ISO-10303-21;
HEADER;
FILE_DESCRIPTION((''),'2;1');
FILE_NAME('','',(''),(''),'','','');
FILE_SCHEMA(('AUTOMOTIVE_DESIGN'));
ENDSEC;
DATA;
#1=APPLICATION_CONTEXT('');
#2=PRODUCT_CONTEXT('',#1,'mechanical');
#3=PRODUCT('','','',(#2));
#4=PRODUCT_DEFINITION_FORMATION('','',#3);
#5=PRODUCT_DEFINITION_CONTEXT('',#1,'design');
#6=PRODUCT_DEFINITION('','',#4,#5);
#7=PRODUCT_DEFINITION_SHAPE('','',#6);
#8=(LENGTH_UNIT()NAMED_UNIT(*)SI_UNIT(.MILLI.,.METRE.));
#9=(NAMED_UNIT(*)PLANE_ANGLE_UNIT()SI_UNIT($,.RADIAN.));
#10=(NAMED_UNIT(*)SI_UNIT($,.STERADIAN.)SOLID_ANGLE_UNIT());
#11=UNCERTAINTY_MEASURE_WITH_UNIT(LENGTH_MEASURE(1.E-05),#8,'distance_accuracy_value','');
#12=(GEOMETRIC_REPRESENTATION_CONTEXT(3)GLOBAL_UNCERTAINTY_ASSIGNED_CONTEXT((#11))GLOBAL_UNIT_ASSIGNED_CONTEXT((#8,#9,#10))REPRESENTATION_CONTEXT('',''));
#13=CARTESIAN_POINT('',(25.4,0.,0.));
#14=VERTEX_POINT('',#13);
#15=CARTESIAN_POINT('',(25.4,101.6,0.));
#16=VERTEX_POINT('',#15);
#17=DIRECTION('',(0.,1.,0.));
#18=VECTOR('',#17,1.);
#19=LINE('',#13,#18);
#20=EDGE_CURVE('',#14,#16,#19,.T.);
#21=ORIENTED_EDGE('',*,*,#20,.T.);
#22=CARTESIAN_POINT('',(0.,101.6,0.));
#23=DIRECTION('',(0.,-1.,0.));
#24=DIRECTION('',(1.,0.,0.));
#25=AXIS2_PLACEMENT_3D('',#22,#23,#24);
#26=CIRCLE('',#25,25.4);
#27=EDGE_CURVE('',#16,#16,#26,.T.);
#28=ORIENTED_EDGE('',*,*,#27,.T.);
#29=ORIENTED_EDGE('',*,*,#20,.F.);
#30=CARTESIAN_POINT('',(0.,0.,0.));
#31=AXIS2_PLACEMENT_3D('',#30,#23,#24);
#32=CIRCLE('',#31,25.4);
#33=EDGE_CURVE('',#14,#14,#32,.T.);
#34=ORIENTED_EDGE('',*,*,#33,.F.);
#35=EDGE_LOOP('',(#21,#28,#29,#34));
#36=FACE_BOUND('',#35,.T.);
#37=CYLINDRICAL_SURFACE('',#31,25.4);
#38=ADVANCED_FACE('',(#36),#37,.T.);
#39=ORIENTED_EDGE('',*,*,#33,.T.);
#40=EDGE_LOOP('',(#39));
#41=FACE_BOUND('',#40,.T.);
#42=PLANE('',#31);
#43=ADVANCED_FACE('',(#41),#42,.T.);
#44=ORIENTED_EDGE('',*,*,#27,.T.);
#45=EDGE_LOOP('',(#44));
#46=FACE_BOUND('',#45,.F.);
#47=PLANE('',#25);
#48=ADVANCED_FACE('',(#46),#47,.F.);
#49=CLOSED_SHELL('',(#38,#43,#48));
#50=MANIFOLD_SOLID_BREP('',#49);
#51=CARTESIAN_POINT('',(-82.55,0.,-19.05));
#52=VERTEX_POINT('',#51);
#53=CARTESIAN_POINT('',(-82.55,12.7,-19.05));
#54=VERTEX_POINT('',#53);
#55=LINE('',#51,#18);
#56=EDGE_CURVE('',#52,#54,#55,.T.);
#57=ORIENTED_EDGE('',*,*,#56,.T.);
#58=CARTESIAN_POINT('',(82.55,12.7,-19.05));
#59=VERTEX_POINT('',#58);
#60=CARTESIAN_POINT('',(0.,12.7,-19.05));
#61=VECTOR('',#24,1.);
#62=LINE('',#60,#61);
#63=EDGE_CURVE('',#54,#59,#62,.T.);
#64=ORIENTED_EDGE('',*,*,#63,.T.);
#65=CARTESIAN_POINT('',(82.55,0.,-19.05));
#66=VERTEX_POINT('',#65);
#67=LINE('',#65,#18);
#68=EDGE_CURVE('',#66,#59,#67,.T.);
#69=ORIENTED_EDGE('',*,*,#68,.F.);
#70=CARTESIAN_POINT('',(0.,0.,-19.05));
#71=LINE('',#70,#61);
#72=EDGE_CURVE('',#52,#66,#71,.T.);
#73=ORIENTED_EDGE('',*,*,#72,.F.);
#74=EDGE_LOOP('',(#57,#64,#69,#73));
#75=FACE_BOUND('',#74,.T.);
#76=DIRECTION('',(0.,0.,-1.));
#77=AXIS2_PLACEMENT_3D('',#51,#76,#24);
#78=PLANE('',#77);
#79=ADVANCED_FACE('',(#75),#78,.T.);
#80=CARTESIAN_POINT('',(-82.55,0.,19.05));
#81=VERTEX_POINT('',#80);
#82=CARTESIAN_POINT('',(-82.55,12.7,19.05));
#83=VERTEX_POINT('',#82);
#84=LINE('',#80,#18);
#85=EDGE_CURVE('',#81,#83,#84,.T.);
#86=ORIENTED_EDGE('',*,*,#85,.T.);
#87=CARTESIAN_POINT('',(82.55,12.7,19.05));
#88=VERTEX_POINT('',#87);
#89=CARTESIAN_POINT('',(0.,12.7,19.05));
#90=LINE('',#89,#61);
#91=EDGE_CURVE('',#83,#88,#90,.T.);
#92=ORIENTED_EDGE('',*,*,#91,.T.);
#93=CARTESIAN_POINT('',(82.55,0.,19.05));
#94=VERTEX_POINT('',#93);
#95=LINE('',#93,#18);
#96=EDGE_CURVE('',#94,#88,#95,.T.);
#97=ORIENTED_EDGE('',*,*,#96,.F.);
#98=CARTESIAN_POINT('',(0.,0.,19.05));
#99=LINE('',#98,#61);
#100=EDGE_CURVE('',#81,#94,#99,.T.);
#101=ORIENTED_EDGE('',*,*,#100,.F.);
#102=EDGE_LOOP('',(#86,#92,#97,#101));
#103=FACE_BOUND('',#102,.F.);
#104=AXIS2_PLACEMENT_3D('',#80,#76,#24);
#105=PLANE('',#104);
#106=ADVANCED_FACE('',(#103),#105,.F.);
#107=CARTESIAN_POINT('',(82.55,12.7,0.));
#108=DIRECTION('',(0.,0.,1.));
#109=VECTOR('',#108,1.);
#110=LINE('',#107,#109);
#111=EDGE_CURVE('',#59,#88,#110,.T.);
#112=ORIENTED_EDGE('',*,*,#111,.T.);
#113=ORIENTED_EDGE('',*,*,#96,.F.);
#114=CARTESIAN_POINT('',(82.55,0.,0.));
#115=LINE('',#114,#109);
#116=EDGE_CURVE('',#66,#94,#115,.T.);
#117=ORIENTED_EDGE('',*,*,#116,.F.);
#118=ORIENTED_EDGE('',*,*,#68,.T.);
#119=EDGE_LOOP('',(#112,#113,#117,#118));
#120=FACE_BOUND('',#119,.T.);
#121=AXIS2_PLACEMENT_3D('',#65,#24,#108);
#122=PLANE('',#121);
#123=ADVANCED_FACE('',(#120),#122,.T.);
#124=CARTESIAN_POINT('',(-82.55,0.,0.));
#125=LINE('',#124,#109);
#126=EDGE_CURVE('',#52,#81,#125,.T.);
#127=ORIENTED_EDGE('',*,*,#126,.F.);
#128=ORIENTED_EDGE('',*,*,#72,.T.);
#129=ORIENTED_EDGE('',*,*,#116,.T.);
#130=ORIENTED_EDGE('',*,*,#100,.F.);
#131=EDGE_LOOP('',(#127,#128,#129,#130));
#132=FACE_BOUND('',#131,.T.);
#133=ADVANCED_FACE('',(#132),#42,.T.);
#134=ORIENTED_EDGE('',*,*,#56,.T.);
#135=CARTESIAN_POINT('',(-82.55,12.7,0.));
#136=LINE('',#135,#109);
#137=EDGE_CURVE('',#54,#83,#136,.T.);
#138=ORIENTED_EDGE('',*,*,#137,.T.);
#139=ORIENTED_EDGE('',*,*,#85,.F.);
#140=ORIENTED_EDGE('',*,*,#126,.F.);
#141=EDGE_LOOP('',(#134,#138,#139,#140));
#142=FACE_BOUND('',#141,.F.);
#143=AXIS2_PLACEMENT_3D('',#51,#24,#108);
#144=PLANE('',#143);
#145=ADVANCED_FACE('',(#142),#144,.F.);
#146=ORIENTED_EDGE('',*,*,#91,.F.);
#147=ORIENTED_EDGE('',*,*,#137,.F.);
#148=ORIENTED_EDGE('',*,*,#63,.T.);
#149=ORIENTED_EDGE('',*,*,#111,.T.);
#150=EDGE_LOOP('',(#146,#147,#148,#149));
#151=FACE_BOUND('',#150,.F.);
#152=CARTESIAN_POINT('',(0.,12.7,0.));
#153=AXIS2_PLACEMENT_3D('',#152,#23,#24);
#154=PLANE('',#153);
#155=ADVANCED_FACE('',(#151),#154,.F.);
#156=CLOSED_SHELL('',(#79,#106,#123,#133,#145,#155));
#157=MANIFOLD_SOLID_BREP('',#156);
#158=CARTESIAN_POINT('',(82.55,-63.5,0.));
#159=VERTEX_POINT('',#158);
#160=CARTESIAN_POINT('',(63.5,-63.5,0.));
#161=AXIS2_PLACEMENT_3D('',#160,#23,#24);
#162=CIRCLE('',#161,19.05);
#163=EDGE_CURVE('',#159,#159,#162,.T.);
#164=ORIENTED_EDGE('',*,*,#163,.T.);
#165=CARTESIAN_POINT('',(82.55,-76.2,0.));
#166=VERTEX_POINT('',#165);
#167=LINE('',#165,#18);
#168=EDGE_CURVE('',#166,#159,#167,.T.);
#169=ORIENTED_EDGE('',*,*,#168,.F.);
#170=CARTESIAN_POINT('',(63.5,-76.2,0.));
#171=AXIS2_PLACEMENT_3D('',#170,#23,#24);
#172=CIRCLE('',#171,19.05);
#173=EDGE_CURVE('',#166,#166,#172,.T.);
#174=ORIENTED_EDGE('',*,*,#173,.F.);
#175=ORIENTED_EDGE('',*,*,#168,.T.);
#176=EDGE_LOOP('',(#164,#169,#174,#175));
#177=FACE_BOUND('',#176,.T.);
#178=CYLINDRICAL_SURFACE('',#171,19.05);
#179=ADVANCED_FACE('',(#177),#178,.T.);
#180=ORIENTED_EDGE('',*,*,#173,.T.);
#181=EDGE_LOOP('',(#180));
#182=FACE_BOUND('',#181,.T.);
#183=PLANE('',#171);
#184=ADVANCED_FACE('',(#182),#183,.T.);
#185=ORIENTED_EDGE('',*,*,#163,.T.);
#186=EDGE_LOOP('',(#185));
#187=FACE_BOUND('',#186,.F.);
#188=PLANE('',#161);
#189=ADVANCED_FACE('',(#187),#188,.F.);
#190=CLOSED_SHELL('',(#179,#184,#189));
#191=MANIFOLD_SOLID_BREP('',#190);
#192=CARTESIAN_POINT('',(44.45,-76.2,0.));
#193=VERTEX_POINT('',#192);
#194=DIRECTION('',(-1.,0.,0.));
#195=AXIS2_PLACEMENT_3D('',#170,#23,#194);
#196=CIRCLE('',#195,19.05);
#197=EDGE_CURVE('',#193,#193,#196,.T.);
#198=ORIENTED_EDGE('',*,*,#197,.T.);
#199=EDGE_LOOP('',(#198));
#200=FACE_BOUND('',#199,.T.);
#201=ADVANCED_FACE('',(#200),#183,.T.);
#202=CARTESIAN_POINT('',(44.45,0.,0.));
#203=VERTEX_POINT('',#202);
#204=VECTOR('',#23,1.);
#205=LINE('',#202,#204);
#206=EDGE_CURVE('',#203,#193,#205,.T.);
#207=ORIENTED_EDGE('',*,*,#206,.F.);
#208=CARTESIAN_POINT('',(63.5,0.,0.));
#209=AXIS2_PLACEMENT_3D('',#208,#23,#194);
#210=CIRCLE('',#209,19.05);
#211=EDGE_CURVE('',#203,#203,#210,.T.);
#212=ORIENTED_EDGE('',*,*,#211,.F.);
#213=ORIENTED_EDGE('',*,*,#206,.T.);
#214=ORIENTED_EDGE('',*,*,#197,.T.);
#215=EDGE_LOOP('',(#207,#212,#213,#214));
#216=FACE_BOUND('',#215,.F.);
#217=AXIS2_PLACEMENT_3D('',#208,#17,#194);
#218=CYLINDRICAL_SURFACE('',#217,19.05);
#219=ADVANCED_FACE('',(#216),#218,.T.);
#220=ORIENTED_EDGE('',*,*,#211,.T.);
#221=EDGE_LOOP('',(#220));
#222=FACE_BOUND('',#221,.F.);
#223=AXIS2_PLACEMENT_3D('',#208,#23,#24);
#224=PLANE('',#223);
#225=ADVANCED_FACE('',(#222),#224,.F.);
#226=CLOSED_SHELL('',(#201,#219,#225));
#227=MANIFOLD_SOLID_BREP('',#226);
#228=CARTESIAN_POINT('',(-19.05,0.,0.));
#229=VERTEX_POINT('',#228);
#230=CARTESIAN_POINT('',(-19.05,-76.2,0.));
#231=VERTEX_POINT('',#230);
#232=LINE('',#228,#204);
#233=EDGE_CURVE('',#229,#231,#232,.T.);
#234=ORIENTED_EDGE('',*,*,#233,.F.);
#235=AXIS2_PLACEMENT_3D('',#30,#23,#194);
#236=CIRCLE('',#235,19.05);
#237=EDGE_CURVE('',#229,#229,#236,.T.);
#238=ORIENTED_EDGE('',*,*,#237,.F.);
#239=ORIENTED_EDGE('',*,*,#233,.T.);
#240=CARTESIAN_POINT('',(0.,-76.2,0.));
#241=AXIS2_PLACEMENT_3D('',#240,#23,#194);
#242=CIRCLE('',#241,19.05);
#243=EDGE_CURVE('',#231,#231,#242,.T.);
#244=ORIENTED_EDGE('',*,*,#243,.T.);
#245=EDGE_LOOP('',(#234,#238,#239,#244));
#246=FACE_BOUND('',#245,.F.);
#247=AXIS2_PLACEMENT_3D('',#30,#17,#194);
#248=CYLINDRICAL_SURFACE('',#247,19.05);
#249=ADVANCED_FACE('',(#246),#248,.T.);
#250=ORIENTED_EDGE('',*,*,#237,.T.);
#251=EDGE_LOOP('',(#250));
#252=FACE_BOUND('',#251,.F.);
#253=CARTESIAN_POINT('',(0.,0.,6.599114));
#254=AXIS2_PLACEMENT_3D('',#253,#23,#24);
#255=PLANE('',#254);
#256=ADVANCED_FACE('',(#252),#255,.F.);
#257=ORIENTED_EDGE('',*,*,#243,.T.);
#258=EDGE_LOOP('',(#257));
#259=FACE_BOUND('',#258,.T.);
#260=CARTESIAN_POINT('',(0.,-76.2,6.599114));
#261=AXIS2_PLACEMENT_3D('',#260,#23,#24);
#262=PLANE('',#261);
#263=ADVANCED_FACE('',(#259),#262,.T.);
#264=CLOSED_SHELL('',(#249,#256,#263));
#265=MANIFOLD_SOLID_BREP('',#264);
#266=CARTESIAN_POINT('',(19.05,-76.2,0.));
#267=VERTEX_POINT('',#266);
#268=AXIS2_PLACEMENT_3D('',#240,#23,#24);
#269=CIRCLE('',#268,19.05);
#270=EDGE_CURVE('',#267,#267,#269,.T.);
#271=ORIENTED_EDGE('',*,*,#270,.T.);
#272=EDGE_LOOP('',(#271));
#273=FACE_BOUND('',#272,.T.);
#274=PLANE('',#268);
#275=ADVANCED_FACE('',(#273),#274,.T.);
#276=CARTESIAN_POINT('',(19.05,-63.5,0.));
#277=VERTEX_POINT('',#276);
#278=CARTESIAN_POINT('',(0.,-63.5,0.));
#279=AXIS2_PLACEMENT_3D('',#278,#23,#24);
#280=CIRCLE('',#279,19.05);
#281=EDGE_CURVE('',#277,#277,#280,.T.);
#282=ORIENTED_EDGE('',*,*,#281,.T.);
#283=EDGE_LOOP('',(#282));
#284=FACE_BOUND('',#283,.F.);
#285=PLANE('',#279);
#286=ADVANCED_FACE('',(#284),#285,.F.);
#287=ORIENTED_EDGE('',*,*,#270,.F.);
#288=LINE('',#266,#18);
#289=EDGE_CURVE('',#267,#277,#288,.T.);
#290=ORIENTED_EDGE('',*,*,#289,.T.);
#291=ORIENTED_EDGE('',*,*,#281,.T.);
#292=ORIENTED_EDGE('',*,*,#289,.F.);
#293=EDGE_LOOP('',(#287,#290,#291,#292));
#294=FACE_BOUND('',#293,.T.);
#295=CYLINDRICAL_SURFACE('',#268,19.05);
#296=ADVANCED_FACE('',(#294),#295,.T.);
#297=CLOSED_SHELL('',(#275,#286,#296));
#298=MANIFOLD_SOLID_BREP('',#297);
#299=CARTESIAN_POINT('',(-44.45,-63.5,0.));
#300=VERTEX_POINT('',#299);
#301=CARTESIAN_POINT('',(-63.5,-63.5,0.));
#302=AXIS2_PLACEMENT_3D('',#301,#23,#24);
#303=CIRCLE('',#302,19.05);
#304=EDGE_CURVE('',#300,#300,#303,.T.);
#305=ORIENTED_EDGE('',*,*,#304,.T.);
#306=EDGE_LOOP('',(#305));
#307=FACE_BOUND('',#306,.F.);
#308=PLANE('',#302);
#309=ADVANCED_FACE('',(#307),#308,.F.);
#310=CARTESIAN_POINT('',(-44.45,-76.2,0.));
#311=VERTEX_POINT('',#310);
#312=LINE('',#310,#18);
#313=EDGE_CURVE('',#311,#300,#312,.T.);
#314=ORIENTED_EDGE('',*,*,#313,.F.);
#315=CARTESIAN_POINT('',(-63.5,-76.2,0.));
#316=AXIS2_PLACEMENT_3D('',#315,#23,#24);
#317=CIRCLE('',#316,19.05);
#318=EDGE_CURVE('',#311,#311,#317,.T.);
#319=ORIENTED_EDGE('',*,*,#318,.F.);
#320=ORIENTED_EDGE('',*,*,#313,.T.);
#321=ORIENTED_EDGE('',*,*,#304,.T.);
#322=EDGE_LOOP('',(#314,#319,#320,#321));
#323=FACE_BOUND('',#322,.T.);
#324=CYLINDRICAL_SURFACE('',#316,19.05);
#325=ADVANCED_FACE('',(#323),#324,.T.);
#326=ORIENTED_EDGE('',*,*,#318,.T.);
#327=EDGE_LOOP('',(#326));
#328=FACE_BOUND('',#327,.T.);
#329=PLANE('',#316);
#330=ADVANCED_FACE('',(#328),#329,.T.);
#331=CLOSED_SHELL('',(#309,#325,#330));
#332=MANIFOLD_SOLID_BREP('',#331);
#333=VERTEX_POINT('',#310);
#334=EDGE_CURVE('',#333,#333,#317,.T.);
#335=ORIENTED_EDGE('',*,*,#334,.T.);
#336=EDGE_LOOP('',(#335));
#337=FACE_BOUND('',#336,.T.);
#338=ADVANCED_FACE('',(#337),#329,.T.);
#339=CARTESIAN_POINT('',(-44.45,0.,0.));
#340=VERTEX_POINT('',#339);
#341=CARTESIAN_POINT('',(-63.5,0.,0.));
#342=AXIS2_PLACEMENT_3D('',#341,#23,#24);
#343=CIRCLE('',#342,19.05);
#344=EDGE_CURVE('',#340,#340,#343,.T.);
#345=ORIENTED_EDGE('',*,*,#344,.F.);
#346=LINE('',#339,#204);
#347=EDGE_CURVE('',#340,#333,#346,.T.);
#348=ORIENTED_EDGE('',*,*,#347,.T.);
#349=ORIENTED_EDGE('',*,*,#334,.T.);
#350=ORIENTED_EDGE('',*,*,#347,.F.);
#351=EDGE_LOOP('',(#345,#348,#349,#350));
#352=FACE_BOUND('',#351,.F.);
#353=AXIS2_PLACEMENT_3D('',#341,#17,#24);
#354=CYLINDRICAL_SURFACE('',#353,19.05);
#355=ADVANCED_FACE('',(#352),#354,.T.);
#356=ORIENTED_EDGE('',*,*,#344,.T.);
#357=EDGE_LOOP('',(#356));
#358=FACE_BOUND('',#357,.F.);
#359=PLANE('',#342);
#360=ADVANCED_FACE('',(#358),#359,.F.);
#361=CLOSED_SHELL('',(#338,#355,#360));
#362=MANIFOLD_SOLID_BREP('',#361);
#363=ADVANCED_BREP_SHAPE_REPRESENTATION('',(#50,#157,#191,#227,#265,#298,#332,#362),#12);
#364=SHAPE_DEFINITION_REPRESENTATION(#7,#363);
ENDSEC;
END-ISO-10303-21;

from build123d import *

# Parameters (mm, degrees)
F0_R      = 19.05
F1_DEPTH  = 76.2
F1_FACE_R = 19.05
F2_W      = 165.1
F2_H      = 38.1
F3_DEPTH  = 12.7
F4_R      = 25.4
F5_DEPTH  = 101.6


with BuildPart() as f1:
    # F0 (on Front) → F1 (new body)
    with BuildSketch(Plane.XZ):
        with BuildLine():
            ThreePointArc((82.55, 0), (63.5, 19.05), (44.45, 0))
            ThreePointArc((44.45, 0), (63.5, -19.05), (82.55, 0))
        make_face()
        with BuildLine():
            Line((0, 0), (19.05, 0))
            ThreePointArc((19.05, 0), (0, 19.05), (-19.05, 0))
            Line((-19.05, 0), (0, 0))
        make_face()
        with Locations((-63.5, 0)):
            Circle(F0_R)
        with BuildLine():
            ThreePointArc((-19.05, 0), (0, -19.05), (19.05, 0))
            Line((19.05, 0), (0, 0))
            Line((0, 0), (-19.05, 0))
        make_face()
    extrude(amount=F1_DEPTH)


with BuildPart() as f3:
    # F1_face (on face) + F2 (on Front) → F3 (new body)
    with BuildSketch(Plane(origin=(-63.5, -76.2, 0), x_dir=(1, 0, 0), z_dir=(0, -1, 0))):
        Circle(F1_FACE_R)
        with Locations((63.5, 0)):
            Circle(F1_FACE_R)
        with Locations((127, 0)):
            Circle(F1_FACE_R)
    with BuildSketch(Plane.XZ):
        Rectangle(F2_W, F2_H)
    extrude(amount=-F3_DEPTH)


with BuildPart() as f5:
    # F4 (on Front) → F5 (new body)
    with BuildSketch(Plane.XZ):
        Circle(F4_R)
    extrude(amount=-F5_DEPTH)


solid = Compound([f1.part, f3.part, f5.part])
